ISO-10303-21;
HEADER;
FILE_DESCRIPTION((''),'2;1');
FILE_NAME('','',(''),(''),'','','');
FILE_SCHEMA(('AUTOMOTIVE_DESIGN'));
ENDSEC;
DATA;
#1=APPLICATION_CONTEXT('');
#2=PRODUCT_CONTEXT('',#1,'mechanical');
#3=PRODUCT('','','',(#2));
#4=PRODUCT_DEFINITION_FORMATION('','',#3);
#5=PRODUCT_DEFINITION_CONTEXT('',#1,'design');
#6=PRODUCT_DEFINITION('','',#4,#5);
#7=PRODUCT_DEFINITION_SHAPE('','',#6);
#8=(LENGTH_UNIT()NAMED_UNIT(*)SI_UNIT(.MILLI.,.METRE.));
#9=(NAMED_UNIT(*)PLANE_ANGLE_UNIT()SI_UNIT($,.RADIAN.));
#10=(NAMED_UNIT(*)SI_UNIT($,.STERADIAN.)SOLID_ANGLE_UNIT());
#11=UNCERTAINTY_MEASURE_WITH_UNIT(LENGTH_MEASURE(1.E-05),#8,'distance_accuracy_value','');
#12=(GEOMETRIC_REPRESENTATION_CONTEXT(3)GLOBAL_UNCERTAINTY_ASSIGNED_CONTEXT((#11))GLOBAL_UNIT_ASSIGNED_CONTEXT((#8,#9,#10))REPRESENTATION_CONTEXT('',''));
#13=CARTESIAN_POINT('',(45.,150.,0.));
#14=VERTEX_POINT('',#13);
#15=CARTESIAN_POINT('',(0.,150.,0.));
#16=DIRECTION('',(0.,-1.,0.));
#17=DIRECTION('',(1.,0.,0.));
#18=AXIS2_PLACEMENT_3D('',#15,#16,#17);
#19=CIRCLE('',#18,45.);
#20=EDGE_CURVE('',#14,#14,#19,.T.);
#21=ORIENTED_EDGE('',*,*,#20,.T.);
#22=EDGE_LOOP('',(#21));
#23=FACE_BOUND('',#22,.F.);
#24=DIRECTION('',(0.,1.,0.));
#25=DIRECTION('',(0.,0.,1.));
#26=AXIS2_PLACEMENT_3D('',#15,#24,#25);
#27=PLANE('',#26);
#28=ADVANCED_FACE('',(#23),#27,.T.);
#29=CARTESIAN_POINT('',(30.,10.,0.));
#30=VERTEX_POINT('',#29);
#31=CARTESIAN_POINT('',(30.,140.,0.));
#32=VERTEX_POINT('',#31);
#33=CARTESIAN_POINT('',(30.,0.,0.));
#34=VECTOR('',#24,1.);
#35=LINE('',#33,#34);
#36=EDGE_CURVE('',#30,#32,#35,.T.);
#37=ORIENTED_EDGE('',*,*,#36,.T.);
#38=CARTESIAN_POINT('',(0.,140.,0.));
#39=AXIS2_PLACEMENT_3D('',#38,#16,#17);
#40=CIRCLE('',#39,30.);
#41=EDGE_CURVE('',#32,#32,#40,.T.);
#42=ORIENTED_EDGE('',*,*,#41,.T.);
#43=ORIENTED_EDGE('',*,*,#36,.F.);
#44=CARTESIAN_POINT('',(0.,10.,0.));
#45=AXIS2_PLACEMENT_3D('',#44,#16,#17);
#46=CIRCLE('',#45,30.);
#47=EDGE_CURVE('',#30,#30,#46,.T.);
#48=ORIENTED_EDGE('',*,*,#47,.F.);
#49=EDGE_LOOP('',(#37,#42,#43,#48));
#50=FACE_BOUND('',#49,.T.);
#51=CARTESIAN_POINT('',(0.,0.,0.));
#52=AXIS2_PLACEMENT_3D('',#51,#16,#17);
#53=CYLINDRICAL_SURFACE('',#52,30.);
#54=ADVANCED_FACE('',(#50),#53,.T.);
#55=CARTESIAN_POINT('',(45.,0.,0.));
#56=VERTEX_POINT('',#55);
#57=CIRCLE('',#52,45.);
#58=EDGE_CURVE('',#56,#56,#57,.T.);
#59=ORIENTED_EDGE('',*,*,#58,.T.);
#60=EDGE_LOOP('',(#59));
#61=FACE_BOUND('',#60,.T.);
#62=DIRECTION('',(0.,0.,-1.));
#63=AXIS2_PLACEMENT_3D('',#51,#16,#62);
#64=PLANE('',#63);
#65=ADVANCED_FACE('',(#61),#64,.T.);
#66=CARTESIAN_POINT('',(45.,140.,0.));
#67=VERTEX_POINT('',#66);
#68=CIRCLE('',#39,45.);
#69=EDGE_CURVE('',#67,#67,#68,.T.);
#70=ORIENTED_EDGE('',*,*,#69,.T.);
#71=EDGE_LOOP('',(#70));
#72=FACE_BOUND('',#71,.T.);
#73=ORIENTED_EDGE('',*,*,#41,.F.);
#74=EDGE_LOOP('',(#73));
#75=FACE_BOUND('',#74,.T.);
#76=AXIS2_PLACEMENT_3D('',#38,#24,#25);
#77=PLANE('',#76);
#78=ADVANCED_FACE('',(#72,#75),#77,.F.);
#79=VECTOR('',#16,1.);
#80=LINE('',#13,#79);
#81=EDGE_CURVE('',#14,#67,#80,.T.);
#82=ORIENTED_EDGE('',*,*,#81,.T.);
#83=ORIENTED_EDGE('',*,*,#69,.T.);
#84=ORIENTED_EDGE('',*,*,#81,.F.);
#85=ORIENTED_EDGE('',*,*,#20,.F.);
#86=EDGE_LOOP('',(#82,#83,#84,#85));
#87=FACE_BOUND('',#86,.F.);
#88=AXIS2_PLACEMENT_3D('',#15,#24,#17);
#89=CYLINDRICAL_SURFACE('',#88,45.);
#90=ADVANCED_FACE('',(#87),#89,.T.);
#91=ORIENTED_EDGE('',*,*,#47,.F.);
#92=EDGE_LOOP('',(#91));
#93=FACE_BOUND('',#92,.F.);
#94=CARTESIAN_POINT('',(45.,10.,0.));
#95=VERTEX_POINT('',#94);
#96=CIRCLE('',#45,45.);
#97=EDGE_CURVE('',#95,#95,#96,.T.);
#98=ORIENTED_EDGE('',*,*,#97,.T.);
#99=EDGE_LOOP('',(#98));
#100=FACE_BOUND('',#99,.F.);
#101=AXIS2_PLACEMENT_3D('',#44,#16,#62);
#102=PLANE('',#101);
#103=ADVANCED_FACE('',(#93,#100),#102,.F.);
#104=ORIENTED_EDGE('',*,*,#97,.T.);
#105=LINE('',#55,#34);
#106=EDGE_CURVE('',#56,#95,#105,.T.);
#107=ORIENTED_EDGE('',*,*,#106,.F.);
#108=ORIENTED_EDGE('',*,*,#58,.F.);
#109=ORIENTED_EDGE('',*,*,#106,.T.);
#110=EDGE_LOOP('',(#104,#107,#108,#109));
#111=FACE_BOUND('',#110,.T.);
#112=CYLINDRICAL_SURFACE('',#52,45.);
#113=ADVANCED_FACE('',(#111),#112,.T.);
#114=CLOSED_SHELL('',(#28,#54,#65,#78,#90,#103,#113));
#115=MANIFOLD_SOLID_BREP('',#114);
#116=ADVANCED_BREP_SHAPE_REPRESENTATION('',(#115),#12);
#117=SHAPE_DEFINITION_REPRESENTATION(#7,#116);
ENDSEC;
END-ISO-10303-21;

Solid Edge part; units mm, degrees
sketch "Sketch1" plane through (0, 0, 0) normal (0, -1, 0) x (1, 0, 0)
  circle A0 centre (0, 0) radius 30
extrude "Protrusion1" add sketch "Sketch1" against normal blind 150
sketch "Sketch2" plane through (0, 0, 0) normal (0, -1, 0) x (1, 0, 0)
  circle A0 centre (0, 0) radius 45
  dimension "D1" = 90
extrude "ExtrudedProtrusion_2" add sketch "Sketch2" against normal blind 10
mirror "Mirror1" about plane through (0, 75, 0) normal (0, -1, 0) of "ExtrudedProtrusion_2"
